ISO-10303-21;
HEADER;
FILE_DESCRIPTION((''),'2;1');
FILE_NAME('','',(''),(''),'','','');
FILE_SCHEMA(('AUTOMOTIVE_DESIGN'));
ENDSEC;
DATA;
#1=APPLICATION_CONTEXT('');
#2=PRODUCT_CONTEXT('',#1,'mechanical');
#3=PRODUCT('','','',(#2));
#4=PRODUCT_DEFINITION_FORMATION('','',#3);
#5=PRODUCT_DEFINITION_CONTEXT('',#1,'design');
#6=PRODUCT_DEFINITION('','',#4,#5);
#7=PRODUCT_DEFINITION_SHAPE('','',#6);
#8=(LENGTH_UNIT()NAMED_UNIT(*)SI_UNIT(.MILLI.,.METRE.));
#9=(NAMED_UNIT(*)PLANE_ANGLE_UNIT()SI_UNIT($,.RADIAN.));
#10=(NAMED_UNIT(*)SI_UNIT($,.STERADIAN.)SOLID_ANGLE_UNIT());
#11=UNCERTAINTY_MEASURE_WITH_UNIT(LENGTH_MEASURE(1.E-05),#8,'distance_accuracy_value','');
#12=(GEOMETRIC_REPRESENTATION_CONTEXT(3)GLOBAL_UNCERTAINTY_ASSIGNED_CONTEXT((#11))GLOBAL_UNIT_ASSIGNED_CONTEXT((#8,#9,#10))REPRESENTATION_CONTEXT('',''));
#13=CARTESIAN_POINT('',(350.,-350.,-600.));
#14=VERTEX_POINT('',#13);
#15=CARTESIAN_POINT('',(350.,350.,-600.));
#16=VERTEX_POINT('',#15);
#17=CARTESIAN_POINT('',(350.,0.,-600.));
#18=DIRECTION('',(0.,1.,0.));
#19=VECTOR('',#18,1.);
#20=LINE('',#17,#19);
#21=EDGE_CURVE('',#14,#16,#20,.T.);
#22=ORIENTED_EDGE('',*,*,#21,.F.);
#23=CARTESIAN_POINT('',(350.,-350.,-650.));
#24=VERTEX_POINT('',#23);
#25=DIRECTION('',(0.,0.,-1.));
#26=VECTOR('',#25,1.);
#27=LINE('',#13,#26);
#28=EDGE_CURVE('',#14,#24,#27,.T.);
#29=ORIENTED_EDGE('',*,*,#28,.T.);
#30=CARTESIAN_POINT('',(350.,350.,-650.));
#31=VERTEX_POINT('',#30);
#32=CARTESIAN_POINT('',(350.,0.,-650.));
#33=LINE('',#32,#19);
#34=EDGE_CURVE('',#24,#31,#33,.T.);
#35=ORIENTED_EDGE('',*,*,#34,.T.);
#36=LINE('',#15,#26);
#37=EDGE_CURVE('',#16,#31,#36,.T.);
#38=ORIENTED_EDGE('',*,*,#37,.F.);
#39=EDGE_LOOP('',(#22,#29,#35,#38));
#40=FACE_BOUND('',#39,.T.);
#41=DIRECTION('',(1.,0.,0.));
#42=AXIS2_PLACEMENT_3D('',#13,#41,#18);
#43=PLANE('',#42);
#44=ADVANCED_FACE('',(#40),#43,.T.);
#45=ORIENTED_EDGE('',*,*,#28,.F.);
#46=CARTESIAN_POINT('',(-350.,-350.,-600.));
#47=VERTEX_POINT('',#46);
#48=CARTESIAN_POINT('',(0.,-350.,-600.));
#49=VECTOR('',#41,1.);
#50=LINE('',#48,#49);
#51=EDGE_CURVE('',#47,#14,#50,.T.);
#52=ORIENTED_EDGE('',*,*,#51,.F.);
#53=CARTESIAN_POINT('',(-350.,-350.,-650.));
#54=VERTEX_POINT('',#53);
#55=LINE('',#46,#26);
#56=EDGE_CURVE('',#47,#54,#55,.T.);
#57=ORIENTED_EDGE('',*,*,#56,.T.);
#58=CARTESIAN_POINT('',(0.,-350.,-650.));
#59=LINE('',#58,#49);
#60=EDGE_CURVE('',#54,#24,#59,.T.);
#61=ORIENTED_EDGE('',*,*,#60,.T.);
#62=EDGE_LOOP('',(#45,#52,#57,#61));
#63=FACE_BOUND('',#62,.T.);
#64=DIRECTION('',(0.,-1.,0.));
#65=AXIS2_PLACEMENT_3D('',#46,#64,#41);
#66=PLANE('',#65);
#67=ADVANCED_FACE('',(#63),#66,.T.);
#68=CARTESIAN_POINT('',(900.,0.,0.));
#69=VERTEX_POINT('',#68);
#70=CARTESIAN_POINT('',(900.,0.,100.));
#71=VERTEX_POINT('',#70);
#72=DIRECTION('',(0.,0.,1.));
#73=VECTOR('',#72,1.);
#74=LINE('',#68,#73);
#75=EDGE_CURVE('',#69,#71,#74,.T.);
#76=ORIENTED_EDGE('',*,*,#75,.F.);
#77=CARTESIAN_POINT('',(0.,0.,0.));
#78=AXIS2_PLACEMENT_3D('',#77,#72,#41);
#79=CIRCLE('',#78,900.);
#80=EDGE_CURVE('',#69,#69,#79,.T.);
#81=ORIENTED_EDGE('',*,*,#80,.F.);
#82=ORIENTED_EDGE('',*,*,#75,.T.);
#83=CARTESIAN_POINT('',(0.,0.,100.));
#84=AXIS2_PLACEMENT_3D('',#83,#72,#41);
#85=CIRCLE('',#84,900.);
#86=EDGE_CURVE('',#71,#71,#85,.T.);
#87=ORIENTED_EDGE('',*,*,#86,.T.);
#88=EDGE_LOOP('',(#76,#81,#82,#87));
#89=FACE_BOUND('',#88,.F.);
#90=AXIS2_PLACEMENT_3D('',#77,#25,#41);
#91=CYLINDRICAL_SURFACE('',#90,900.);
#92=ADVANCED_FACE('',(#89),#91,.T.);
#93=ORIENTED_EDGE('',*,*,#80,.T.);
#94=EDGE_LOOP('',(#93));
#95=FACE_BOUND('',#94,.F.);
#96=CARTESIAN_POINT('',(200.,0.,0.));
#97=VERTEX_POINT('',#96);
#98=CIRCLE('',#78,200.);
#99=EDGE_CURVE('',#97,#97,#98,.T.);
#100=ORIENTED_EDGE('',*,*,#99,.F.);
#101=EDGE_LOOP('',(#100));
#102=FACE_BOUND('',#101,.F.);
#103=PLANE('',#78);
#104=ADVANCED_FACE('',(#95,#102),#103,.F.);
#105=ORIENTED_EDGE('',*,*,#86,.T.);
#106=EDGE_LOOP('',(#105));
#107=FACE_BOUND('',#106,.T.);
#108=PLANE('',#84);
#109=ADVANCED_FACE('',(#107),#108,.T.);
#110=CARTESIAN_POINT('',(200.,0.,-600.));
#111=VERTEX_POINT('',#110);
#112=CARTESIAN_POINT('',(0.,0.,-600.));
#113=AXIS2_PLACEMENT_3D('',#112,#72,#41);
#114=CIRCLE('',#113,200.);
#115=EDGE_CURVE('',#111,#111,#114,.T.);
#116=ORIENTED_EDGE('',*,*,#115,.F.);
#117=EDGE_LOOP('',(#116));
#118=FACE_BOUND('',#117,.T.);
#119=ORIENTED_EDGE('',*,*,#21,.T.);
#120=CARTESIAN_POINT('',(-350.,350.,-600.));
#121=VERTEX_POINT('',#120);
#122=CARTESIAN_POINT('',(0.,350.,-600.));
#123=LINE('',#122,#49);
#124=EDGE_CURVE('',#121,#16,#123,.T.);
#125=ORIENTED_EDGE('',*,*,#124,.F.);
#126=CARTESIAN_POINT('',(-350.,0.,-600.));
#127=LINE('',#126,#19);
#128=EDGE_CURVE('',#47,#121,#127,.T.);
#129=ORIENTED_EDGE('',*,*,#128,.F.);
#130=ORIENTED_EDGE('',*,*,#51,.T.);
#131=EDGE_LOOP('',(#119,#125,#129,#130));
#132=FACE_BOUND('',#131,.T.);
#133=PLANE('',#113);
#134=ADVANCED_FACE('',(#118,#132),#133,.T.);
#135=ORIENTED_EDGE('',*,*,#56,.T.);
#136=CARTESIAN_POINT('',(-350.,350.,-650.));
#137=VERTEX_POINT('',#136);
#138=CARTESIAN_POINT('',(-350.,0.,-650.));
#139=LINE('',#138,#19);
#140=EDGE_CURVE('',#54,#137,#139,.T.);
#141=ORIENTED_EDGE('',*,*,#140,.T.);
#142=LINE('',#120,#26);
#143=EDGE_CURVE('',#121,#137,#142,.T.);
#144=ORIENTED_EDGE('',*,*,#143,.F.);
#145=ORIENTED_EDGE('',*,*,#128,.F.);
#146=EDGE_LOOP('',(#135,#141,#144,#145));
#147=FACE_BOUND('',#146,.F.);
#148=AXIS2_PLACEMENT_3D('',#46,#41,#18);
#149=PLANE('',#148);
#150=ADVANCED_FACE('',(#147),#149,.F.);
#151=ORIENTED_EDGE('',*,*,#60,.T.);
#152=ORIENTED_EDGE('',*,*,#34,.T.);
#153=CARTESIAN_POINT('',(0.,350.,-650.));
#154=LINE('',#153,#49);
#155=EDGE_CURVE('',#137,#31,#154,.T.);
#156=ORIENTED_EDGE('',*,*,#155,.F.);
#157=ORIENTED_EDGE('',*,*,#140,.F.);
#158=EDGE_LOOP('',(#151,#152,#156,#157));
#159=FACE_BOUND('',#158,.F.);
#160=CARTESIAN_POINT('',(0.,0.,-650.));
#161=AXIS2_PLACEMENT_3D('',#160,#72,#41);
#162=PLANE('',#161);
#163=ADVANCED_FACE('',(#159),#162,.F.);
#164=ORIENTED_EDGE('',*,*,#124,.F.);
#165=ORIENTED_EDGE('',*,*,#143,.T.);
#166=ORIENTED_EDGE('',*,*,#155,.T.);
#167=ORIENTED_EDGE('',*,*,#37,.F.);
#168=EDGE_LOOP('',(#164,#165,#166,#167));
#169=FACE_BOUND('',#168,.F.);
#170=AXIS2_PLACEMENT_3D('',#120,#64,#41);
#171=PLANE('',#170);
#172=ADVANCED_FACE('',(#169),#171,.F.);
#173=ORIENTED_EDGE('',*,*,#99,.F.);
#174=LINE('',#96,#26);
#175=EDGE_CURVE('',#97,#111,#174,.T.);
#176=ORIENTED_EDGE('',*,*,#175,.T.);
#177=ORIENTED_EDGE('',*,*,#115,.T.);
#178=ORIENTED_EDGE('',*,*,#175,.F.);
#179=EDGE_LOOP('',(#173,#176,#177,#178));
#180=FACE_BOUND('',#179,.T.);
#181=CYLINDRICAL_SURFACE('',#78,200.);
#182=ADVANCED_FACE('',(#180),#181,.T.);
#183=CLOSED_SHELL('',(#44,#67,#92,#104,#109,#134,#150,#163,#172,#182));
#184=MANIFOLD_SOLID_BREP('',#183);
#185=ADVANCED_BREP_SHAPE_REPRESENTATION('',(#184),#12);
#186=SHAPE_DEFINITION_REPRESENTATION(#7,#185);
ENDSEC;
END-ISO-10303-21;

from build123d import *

# Parameters (mm, degrees)
F0_R     = 900
F0_W     = 700
F0_H     = 700
F0_R_2   = 200
F1_DEPTH = 100
F2_DEPTH = 600
F3_START = -600
F3_DEPTH = 50


with BuildPart() as f1:
    # F0 (on Top) → F1 (new body)
    with BuildSketch(Plane.XY):
        Circle(F0_R)
        Rectangle(F0_W, F0_H, mode=Mode.SUBTRACT)
        Rectangle(F0_W, F0_H)
        Circle(F0_R_2, mode=Mode.SUBTRACT)
        Circle(F0_R_2)
    extrude(amount=F1_DEPTH)

    # F0 (on Top) → F2 (join)
    with BuildSketch(Plane.XY):
        Circle(F0_R_2)
    extrude(amount=-F2_DEPTH)

    # F0 (on Top) → F3 (join)
    with BuildSketch(Plane.XY.offset(F3_START)):
        Rectangle(F0_W, F0_H)
        Circle(F0_R_2, mode=Mode.SUBTRACT)
        Circle(F0_R_2)
    extrude(amount=-F3_DEPTH)


solid = f1.part
